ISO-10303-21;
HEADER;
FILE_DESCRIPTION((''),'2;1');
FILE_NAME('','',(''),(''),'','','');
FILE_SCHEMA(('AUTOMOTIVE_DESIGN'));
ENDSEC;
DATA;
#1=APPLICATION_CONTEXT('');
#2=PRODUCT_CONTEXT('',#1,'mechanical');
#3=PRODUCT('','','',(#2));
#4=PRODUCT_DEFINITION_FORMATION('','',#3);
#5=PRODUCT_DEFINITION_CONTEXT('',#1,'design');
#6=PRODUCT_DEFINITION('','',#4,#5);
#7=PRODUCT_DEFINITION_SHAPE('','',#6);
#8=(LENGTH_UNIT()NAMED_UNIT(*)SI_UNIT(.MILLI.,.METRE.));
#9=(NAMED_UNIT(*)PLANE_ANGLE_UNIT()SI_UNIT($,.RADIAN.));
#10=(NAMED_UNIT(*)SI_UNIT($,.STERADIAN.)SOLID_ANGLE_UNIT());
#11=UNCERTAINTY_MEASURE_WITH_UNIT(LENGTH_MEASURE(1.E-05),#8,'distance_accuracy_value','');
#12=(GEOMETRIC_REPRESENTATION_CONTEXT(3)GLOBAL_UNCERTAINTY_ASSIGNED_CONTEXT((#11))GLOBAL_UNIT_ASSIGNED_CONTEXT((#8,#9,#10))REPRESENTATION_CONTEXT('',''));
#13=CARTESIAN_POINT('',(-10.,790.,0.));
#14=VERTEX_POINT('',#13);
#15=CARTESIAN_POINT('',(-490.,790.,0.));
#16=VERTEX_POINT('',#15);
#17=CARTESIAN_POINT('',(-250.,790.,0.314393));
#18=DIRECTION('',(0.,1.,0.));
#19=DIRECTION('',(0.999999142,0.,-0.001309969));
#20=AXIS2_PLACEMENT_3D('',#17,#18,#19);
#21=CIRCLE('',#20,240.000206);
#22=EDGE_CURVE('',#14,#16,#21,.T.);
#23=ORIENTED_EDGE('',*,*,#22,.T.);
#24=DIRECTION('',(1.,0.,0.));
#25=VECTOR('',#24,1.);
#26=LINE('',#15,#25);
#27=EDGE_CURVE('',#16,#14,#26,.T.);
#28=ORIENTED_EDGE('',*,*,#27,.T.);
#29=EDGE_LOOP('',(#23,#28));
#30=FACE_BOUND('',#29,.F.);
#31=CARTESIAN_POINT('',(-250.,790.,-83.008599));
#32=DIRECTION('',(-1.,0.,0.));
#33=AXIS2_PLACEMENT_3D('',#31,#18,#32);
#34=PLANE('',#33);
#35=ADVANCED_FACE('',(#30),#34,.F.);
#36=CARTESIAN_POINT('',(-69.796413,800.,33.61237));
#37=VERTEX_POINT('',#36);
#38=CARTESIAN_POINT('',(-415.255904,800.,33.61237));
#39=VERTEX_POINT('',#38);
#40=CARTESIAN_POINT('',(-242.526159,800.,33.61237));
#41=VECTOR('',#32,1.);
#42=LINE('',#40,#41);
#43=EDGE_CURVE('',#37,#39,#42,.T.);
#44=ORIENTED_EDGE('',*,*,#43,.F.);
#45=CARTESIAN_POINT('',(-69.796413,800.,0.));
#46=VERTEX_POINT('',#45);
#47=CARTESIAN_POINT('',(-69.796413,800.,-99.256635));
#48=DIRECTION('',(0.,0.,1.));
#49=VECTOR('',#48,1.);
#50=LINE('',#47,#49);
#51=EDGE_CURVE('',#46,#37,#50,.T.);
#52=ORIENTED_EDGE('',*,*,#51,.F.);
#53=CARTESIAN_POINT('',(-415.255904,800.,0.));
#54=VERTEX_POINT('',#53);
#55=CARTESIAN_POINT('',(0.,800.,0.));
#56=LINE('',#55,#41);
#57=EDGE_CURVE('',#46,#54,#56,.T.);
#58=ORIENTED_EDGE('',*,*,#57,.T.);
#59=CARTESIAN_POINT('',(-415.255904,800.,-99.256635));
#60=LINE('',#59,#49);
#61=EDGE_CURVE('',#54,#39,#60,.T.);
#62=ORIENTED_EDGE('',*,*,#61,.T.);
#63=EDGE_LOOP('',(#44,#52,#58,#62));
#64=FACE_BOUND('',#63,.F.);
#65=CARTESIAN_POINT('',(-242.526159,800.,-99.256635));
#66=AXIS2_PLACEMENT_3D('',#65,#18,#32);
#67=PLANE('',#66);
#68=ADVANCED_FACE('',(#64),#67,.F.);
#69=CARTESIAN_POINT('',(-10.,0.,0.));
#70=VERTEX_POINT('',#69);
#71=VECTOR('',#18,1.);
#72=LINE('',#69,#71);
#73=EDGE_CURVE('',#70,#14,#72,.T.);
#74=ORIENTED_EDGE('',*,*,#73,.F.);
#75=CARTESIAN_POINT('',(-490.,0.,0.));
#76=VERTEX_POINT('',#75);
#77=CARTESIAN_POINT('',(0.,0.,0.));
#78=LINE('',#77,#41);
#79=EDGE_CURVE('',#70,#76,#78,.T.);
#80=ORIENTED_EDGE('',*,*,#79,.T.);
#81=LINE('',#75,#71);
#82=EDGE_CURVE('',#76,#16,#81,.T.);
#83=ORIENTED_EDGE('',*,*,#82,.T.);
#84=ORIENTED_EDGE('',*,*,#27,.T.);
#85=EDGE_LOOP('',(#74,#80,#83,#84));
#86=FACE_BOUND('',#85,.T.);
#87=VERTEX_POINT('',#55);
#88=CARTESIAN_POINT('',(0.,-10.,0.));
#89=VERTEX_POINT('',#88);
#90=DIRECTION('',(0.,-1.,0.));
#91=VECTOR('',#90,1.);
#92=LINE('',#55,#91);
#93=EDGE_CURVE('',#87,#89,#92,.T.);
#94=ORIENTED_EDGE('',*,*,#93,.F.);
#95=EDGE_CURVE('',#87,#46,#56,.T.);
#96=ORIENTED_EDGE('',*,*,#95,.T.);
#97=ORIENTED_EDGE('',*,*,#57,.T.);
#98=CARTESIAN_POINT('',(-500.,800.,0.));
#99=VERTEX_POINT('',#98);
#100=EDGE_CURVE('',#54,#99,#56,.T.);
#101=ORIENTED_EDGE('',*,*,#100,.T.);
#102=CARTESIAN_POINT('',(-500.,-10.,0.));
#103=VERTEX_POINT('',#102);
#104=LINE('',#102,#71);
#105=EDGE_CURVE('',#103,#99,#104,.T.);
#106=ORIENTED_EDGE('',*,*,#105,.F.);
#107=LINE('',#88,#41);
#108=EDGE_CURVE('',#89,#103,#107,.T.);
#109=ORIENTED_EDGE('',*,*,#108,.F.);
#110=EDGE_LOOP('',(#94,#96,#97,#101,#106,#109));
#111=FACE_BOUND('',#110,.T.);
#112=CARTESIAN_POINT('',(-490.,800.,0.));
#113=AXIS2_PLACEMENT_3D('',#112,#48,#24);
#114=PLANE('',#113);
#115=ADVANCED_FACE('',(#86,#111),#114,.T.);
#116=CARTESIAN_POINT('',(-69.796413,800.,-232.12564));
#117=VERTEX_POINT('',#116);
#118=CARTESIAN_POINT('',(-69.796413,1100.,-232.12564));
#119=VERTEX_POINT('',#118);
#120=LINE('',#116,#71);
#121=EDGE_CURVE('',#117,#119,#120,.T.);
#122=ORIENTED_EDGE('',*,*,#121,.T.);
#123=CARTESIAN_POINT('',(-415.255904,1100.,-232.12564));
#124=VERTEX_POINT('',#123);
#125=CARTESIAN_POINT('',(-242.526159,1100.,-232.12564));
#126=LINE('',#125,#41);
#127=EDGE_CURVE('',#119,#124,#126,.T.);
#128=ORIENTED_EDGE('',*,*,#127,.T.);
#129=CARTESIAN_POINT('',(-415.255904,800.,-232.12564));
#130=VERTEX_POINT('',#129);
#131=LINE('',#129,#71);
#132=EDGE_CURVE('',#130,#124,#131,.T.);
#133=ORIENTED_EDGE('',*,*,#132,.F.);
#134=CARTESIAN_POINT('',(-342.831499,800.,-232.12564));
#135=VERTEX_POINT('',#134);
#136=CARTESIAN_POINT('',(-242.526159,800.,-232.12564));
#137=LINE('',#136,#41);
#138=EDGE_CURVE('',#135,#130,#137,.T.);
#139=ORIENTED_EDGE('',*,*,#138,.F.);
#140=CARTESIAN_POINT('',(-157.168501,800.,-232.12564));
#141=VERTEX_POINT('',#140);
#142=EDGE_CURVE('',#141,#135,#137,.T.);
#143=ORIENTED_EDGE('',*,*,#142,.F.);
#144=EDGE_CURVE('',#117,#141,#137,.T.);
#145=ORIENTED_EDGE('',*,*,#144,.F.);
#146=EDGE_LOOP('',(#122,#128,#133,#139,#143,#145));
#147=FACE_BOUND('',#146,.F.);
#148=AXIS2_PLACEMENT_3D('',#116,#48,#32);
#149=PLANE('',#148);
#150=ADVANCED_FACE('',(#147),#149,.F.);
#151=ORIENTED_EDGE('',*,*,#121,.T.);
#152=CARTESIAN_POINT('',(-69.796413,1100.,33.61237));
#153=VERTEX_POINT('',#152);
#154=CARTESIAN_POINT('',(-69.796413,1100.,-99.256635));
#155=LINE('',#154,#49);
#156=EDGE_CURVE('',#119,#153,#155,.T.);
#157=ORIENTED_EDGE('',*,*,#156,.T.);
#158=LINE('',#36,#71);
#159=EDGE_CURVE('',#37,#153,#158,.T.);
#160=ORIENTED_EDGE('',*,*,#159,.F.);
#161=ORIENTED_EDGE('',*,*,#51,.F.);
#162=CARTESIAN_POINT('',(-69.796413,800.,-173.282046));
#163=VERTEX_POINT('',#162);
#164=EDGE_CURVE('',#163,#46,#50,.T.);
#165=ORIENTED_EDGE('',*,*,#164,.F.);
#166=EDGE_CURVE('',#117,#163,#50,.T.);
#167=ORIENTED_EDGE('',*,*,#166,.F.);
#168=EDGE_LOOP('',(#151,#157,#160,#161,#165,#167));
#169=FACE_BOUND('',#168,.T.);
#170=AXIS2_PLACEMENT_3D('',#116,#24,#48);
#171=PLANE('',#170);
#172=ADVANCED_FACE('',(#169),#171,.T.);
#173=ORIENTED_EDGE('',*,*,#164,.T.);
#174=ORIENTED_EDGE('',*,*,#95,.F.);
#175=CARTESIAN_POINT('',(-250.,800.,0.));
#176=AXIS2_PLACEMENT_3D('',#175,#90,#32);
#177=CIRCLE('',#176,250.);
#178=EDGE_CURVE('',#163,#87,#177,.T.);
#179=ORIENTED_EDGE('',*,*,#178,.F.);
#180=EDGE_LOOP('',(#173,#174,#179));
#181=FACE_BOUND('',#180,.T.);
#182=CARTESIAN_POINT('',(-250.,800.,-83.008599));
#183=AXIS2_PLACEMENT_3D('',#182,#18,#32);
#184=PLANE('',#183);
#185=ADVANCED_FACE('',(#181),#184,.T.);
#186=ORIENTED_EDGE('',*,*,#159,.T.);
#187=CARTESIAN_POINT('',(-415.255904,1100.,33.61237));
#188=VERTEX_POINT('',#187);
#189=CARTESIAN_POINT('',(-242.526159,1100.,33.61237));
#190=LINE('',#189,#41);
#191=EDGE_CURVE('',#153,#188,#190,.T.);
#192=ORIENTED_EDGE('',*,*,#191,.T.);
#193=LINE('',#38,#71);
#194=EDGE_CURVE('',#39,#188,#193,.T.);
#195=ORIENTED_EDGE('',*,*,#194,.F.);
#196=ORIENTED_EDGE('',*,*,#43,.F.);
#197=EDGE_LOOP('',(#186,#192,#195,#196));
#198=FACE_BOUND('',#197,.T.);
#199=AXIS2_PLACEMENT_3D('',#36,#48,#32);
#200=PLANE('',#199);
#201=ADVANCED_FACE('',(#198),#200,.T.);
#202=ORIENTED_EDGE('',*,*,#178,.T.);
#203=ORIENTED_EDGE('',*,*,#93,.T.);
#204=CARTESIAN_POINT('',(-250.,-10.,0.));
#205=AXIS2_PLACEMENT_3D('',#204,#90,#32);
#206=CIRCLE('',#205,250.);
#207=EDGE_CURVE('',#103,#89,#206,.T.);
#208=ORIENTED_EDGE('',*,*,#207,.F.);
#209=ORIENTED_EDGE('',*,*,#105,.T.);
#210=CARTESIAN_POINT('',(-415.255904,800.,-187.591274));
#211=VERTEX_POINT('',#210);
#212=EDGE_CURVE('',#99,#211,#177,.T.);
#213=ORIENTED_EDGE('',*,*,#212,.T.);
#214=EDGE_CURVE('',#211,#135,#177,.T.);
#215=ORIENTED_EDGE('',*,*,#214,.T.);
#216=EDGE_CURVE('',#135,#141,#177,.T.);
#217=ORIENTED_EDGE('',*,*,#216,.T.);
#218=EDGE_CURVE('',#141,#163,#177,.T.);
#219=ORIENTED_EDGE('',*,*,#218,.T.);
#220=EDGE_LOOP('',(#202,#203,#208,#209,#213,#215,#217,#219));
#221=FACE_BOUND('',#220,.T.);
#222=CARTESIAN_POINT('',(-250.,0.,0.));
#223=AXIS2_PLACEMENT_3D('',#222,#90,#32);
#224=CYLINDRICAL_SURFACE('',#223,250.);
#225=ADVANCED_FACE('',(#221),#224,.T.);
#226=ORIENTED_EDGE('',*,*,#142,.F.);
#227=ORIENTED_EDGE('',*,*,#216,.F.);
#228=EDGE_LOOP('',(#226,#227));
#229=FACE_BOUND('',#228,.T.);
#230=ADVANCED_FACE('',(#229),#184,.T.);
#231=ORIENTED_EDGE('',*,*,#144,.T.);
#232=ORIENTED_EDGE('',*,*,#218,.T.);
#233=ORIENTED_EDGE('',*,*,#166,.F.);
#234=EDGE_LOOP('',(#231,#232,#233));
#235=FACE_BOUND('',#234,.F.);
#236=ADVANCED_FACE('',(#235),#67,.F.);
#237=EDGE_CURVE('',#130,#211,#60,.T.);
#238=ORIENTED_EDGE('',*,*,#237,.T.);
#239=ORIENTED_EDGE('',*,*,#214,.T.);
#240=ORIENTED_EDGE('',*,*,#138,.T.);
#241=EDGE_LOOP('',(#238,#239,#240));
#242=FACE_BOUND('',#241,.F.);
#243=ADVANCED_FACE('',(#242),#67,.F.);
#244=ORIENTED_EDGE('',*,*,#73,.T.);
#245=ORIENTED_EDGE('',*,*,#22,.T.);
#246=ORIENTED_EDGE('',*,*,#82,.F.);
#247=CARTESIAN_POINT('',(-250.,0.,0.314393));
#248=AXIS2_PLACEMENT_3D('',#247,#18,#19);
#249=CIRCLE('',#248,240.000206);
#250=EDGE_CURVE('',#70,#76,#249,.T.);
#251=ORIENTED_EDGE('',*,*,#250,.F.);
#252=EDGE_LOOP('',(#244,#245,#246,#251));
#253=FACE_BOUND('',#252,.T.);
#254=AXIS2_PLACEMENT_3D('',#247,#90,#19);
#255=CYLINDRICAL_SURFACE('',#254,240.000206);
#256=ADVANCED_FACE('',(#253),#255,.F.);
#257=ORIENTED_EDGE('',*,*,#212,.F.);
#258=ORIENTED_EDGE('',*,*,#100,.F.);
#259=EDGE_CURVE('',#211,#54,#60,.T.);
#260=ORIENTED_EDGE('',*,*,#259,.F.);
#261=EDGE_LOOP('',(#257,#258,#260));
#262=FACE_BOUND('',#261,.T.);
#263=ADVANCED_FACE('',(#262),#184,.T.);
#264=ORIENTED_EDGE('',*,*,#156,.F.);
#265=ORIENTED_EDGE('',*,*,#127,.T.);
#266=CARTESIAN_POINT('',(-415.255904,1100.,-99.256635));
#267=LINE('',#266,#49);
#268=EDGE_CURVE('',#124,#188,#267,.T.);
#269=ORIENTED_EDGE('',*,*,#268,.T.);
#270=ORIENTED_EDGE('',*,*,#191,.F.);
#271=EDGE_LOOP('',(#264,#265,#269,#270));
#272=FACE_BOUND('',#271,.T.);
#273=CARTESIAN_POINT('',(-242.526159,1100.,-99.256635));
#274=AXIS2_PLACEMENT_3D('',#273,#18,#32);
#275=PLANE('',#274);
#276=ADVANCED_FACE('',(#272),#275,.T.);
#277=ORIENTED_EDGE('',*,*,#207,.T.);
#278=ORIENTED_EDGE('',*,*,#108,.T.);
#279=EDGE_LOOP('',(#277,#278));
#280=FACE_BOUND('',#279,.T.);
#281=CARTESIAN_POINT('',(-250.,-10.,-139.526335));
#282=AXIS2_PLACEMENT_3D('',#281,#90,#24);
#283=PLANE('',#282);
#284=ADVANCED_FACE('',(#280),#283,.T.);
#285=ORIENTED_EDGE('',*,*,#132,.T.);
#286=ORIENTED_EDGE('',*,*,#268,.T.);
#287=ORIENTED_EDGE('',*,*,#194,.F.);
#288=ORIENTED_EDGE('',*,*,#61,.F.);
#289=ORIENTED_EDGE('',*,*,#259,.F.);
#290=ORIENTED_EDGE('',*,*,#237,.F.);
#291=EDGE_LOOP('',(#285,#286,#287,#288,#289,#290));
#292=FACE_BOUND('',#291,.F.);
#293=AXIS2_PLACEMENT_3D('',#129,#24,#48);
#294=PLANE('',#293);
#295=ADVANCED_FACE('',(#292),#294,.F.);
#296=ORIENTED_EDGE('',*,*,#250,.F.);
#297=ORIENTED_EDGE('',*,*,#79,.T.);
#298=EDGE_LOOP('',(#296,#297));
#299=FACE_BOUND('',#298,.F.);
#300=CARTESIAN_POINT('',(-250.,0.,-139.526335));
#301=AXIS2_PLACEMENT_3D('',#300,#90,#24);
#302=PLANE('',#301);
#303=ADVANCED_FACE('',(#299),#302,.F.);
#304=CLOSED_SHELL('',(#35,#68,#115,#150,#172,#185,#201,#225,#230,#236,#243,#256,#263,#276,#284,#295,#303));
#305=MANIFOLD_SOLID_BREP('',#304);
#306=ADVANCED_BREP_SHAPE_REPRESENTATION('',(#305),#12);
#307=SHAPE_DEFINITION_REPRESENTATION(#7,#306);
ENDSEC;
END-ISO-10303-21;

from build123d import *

# Parameters (mm, degrees)
F1_DEPTH = 10
F2_DEPTH = 800
F4_DEPTH = 10
F5_W     = 345.459491
F5_H     = 265.73801
F6_DEPTH = 300


with BuildPart() as f1:
    # F0 (on Front) → F1 (new body)
    with BuildSketch(Plane.XZ):
        with BuildLine():
            ThreePointArc((-500, 0), (-250, -250), (0, 0))
            Line((0, 0), (-10, 0))
            ThreePointArc((-10, 0), (-250, -239.685813), (-490, 0))
            Line((-490, 0), (-500, 0))
        make_face()
        with BuildLine():
            ThreePointArc((-490, 0), (-250, -239.685813), (-10, 0))
            Line((-10, 0), (-490, 0))
        make_face()
    extrude(amount=F1_DEPTH)

    # F0 (on Front) → F2 (join)
    with BuildSketch(Plane.XZ):
        with BuildLine():
            ThreePointArc((-500, 0), (-250, -250), (0, 0))
            Line((0, 0), (-10, 0))
            ThreePointArc((-10, 0), (-250, -239.685813), (-490, 0))
            Line((-490, 0), (-500, 0))
        make_face()
    extrude(amount=-F2_DEPTH)

    # F3 (on face) → F4 (join)
    with BuildSketch(Plane(origin=(0, 800, 0), x_dir=(-1, 0, 0), z_dir=(0, 1, 0))):
        with BuildLine():
            Line((490, 0), (10, 0))
            ThreePointArc((10, 0), (250, -239.685813), (490, 0))
        make_face()
    extrude(amount=-F4_DEPTH)

    # F5 (on face) → F6 (join)
    with BuildSketch(Plane(origin=(0, 800, 0), x_dir=(-1, 0, 0), z_dir=(0, 1, 0))):
        with Locations((242.526159, -99.256635)):
            Rectangle(F5_W, F5_H)
    extrude(amount=F6_DEPTH)


solid = f1.part
